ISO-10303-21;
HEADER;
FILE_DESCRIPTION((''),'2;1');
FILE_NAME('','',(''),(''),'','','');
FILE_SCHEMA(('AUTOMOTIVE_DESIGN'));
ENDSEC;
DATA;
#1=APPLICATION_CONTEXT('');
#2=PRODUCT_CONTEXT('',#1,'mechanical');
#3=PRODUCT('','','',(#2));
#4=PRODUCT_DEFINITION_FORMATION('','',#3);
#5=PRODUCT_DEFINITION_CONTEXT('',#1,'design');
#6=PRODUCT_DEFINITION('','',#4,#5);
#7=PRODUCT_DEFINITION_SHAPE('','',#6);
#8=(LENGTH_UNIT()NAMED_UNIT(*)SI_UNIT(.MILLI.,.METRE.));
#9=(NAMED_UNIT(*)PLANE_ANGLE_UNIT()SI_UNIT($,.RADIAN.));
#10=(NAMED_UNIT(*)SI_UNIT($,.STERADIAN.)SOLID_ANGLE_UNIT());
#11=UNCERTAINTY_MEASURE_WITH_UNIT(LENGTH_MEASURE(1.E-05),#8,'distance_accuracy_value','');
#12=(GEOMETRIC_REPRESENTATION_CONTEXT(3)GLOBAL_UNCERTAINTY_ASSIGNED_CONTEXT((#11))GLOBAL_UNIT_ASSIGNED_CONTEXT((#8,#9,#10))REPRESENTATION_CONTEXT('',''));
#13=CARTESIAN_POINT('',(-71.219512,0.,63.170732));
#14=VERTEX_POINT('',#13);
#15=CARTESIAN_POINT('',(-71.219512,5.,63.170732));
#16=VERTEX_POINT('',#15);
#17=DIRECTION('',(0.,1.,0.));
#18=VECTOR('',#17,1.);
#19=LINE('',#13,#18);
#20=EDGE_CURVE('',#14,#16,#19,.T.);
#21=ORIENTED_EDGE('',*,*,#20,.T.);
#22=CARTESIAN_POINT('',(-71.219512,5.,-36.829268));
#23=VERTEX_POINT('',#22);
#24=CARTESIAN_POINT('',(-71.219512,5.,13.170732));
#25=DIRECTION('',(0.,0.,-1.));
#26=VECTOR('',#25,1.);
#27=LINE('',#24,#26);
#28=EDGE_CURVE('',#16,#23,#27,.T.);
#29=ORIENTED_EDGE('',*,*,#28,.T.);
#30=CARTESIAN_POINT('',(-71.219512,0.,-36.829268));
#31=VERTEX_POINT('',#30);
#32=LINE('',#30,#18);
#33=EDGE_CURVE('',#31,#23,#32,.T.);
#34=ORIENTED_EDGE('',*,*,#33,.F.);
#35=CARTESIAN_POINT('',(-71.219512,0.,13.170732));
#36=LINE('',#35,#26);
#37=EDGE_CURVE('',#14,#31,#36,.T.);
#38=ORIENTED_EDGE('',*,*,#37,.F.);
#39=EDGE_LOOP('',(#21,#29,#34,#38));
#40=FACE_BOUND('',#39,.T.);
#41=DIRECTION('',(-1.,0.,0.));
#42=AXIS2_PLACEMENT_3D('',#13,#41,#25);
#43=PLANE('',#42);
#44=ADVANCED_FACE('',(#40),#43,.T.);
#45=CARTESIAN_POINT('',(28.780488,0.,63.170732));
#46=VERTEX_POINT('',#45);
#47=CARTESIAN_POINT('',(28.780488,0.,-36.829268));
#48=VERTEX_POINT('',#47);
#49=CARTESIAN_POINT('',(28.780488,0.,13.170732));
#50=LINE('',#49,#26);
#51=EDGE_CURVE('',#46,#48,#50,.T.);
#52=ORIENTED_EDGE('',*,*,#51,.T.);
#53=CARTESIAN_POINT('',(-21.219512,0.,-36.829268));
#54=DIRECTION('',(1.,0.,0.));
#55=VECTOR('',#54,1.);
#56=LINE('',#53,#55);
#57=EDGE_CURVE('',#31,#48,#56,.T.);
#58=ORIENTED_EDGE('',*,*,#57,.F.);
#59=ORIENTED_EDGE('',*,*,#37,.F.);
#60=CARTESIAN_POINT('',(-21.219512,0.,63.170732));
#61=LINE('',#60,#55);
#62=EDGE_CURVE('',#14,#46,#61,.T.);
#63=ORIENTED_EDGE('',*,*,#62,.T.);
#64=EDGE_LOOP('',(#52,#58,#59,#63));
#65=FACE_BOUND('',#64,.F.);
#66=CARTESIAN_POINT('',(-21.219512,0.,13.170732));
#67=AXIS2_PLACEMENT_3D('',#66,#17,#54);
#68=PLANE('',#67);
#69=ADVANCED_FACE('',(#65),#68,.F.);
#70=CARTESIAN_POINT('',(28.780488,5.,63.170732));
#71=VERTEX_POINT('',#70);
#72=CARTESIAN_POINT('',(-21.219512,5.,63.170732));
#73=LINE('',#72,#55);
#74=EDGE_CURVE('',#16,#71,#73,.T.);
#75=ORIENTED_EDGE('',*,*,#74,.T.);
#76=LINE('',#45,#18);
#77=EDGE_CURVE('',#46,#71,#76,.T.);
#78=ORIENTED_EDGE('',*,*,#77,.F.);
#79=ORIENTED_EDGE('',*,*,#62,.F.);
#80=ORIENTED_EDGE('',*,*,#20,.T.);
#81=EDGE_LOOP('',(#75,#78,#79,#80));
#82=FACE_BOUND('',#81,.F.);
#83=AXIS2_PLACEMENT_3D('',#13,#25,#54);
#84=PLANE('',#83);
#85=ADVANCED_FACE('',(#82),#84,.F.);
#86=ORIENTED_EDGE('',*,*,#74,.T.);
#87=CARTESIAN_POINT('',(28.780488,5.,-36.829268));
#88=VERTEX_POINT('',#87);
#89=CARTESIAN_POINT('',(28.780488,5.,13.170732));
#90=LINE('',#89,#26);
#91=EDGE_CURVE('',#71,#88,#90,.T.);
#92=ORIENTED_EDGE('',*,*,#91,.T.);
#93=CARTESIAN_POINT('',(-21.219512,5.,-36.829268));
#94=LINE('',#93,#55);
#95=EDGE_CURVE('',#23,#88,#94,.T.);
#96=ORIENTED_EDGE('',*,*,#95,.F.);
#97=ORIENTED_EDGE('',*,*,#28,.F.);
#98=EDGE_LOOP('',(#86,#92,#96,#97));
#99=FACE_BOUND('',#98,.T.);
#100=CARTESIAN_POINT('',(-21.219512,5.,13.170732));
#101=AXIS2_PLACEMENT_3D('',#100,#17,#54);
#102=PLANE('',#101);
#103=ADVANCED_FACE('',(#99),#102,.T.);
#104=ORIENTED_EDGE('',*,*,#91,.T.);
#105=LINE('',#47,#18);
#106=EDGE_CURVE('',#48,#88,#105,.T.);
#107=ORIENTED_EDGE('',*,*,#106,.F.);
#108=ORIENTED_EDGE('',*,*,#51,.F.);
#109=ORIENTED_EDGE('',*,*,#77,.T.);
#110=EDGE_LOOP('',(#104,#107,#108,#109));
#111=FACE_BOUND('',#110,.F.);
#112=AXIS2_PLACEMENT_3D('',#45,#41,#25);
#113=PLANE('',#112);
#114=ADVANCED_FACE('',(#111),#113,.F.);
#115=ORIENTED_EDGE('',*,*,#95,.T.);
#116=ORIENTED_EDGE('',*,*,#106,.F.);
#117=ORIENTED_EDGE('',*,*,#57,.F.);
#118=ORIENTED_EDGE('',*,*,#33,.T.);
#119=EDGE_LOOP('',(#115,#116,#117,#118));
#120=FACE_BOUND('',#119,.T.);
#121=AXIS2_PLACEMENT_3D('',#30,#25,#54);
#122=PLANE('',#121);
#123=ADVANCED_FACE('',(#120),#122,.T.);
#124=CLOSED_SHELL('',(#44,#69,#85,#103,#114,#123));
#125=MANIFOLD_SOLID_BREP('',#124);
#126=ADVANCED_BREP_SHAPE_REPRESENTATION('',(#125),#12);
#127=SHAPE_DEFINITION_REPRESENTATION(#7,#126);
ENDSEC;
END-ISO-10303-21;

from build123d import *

# Parameters (mm, degrees)
SKETCH_1_W      = 100
SKETCH_1_H      = 100
EXTRUDE_1_DEPTH = 5


with BuildPart() as part:
    # Эскиз1 → Бобышка-Вытянуть1 (new body)
    with BuildSketch(Plane(origin=(0, 0, 0), x_dir=(1, 0, 0), z_dir=(0, 1, 0))):
        with Locations((-21.219512195, -13.170731707)):
            Rectangle(SKETCH_1_W, SKETCH_1_H)
    extrude(amount=EXTRUDE_1_DEPTH)


solid = part.part
